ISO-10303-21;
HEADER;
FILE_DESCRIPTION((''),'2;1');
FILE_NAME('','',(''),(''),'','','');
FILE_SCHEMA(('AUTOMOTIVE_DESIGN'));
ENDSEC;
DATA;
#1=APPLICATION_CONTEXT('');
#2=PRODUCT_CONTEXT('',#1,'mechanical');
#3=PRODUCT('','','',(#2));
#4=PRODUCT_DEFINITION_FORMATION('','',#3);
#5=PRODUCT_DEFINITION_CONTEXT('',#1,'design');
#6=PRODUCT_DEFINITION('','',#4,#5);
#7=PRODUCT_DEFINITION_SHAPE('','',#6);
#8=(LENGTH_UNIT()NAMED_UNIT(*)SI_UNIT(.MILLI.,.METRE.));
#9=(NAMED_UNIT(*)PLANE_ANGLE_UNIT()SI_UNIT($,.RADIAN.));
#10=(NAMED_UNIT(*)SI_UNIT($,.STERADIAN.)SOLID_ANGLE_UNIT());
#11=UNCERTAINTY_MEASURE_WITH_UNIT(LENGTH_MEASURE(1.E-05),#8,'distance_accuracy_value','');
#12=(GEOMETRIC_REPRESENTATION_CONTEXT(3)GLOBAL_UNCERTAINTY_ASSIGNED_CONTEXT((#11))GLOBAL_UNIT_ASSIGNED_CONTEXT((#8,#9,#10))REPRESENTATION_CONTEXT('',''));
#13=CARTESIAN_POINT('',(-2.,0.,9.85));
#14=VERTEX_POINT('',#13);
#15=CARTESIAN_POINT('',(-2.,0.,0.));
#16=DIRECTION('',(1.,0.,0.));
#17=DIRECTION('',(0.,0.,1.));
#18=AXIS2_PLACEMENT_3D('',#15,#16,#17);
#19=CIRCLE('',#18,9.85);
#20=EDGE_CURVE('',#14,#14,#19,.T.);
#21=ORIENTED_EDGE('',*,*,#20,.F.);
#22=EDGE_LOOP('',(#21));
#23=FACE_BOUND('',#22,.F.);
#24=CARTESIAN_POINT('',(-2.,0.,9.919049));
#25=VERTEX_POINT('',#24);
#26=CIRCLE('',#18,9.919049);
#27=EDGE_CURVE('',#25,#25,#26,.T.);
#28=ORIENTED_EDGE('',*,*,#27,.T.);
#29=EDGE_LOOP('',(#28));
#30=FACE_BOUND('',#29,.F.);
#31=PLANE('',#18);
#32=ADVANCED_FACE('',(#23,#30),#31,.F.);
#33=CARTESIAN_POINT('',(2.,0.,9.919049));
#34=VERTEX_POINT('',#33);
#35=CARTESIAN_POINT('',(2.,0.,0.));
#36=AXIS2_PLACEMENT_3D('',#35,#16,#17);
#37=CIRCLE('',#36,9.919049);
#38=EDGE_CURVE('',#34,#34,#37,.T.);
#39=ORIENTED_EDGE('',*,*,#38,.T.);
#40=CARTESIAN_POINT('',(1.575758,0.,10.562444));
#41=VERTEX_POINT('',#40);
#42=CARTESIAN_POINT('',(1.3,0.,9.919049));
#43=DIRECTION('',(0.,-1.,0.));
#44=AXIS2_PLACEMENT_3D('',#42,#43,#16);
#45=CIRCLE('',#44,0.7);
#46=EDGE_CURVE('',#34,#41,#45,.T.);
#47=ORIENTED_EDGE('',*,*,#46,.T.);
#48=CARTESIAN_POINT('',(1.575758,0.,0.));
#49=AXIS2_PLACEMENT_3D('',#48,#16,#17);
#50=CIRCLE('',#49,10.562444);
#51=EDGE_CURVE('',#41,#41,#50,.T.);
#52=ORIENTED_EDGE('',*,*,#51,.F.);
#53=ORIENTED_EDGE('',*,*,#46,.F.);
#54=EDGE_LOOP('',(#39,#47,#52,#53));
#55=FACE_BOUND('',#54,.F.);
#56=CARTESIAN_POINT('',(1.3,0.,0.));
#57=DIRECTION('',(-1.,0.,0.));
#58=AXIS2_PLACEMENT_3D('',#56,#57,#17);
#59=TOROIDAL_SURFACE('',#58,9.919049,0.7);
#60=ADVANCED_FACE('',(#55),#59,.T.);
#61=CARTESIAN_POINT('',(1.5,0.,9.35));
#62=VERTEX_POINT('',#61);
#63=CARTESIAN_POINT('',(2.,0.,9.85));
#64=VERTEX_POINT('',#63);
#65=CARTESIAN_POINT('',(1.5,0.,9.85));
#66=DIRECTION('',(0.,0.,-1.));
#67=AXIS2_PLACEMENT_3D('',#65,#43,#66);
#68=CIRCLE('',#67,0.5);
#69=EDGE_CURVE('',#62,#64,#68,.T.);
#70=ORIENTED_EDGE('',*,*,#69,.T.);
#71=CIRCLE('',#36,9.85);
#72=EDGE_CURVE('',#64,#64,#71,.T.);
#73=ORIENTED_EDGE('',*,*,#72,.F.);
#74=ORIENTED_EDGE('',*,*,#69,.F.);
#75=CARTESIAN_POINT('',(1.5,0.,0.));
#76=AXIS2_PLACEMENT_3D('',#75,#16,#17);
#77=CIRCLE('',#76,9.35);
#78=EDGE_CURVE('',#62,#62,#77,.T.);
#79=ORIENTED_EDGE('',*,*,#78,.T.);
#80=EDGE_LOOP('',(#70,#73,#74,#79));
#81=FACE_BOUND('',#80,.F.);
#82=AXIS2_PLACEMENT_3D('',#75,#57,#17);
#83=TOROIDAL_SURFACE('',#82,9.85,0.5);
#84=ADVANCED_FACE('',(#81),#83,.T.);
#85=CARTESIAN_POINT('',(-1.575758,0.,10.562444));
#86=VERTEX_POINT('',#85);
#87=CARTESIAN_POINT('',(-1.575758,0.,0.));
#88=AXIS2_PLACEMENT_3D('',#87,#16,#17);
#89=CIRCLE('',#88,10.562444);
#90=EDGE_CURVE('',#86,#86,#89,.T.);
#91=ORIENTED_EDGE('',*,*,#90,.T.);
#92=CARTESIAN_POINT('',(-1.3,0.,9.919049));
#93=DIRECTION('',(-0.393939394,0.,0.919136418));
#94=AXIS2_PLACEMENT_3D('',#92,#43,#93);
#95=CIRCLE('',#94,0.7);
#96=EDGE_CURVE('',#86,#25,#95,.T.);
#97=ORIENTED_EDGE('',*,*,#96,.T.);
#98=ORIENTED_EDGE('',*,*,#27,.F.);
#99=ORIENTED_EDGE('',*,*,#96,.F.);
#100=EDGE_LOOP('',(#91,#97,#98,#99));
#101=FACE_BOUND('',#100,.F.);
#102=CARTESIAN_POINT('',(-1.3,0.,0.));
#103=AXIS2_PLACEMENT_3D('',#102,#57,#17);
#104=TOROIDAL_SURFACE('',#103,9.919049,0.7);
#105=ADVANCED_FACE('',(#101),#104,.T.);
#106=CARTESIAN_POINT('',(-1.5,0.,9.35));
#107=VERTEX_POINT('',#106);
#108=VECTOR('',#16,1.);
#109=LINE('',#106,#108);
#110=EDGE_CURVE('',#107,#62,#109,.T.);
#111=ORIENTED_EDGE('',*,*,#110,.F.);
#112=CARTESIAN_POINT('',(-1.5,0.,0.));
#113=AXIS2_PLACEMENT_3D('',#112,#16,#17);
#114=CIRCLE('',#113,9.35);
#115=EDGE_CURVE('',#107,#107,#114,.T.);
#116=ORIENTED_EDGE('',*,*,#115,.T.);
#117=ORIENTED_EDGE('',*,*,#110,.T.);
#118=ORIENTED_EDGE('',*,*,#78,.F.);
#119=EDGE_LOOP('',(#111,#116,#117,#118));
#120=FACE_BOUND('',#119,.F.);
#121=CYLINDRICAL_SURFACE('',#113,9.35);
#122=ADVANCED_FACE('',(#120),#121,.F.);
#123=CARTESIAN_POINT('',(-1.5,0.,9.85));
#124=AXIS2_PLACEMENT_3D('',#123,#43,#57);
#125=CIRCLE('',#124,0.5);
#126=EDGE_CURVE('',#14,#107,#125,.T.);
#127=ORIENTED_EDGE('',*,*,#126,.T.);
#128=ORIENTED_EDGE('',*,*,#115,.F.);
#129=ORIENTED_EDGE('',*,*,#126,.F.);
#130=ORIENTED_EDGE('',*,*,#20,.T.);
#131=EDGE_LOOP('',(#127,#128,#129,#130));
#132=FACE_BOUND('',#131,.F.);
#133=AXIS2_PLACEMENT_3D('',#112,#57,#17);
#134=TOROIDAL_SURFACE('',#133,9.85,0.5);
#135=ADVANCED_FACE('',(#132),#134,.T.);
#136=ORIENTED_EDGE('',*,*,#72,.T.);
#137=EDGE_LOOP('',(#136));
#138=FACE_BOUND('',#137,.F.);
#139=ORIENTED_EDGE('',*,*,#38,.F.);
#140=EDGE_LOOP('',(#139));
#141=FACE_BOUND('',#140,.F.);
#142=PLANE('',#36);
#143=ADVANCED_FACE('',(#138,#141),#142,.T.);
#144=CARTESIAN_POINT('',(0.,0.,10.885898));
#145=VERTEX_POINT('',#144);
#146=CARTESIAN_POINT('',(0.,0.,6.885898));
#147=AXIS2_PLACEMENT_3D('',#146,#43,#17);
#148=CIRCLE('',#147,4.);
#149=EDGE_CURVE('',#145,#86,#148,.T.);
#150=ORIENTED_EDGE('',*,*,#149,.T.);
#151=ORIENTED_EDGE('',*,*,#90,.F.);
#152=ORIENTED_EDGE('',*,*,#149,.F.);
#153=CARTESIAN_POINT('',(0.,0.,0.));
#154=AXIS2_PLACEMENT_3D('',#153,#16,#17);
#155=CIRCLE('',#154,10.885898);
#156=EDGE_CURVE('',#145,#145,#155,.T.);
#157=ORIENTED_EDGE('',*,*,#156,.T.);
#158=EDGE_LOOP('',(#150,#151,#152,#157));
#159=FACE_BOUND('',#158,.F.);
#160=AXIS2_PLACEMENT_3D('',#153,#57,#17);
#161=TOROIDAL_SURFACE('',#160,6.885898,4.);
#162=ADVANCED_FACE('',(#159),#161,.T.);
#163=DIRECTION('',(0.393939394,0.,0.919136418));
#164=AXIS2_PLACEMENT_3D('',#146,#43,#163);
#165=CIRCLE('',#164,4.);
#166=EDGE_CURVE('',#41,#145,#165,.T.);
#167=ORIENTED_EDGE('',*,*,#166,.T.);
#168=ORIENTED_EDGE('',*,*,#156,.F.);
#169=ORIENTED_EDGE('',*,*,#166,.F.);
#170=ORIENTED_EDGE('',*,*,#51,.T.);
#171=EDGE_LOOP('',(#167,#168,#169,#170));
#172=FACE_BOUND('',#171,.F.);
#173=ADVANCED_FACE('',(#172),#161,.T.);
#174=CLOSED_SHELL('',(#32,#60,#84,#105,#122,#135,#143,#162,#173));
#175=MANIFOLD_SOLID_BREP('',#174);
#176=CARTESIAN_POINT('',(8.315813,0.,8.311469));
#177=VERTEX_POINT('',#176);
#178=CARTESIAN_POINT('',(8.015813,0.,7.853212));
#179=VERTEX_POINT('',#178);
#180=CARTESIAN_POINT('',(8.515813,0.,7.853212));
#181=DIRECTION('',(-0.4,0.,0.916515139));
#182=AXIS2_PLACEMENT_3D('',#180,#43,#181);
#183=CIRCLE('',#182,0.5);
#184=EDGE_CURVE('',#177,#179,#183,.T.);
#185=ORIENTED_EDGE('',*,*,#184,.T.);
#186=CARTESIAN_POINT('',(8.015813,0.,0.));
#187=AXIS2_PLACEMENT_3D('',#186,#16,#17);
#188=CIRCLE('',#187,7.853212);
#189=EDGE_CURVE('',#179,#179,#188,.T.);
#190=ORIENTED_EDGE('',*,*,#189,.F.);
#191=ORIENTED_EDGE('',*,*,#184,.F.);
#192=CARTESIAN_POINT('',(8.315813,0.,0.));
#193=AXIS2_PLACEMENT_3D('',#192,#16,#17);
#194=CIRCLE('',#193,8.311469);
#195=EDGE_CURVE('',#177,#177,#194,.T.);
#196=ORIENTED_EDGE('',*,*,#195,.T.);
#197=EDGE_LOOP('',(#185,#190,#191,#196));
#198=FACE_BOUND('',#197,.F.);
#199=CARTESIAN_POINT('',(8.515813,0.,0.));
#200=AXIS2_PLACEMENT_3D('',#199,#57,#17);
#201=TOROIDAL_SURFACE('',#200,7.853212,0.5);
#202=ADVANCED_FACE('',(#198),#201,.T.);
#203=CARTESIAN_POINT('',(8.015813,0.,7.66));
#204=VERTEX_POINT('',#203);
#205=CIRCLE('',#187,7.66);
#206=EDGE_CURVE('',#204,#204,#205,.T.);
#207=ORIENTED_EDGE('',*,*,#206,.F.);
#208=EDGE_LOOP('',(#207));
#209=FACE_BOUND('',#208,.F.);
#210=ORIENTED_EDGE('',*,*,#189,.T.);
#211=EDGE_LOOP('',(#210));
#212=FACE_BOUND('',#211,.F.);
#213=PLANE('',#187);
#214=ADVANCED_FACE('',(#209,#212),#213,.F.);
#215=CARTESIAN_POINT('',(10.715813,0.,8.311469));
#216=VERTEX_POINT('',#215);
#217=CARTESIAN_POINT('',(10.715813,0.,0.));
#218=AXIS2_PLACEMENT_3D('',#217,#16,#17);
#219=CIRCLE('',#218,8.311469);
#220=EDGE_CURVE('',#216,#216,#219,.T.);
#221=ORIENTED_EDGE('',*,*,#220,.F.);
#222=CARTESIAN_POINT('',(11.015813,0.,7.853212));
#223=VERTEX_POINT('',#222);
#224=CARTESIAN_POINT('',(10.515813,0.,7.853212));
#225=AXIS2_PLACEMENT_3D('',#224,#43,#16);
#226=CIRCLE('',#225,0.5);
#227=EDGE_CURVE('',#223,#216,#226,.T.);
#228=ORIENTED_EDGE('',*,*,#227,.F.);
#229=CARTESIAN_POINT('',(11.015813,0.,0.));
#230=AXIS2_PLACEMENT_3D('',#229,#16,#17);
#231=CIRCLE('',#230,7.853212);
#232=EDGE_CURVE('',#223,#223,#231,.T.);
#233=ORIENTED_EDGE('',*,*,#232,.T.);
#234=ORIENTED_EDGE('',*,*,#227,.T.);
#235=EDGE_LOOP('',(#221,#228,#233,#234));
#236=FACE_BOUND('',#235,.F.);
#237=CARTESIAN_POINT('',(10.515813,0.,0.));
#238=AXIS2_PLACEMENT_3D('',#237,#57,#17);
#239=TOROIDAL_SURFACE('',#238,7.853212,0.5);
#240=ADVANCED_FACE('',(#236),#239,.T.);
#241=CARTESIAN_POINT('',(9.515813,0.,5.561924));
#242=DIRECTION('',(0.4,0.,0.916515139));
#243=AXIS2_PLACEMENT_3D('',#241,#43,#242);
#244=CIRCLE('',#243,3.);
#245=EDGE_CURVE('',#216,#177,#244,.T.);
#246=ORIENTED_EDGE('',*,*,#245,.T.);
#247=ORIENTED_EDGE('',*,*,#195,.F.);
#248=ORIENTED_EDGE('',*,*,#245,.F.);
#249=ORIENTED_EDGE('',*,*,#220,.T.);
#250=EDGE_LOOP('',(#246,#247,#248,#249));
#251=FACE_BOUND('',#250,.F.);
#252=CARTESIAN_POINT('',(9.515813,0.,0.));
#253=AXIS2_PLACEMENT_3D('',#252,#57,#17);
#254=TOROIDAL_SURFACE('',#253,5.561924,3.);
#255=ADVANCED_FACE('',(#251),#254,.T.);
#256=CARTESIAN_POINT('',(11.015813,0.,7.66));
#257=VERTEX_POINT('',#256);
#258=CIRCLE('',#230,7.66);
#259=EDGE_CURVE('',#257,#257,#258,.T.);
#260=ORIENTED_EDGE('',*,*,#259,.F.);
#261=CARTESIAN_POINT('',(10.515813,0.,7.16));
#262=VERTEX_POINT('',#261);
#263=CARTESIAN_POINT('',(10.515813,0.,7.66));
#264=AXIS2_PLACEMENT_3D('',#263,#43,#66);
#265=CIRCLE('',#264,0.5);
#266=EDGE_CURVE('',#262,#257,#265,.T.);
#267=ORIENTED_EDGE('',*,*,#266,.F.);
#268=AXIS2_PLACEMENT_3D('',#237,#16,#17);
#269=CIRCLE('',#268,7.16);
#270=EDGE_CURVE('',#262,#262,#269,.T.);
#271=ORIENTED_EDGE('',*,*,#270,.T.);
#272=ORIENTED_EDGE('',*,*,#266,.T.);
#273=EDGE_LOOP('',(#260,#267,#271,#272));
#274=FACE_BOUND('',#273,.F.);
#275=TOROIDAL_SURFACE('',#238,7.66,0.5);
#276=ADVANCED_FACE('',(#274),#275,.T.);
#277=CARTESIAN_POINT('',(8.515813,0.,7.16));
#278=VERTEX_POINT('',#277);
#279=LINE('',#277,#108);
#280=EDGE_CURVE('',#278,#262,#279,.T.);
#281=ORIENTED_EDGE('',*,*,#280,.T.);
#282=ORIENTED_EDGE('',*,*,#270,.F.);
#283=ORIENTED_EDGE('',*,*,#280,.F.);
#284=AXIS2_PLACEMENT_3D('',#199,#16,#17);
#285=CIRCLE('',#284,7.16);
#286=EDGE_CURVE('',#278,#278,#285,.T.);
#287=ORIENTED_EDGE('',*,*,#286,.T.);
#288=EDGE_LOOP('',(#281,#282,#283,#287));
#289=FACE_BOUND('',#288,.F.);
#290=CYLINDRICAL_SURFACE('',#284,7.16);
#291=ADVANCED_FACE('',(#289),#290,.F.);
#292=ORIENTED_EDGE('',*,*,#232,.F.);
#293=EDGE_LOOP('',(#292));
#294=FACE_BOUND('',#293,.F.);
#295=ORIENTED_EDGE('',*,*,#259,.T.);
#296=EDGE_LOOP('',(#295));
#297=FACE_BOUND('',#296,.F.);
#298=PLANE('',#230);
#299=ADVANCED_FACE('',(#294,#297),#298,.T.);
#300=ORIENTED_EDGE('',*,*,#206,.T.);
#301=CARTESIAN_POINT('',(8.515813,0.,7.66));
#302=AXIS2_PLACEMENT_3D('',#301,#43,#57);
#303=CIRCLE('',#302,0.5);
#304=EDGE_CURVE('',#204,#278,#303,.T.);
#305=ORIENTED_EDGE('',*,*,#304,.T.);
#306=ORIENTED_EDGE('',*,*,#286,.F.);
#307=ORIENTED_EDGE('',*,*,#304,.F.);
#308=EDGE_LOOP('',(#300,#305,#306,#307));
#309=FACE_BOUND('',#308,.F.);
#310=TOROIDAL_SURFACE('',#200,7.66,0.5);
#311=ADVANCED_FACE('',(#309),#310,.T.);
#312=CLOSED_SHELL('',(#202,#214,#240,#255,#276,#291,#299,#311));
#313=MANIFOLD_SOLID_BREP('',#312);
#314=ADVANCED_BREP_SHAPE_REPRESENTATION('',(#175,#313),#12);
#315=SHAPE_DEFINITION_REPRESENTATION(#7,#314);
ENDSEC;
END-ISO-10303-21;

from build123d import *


with BuildPart() as f1:
    # F0 (on Front) → F1 (revolve)
    with BuildSketch(Plane.XZ):
        with BuildLine():
            ThreePointArc((-2, 9.85), (-1.8535533906, 9.4964466094), (-1.5, 9.35))
            Line((-1.5, 9.35), (0, 9.35))
            Line((0, 9.35), (0, 10.8858983849))
            ThreePointArc((0, 10.8858983849), (-0.8043063224, 10.8042004839), (-1.5757575758, 10.5624440547))
            ThreePointArc((-1.5757575758, 10.5624440547), (-1.884392977, 10.3043858803), (-2, 9.9190485625))
            Line((-2, 9.9190485625), (-2, 9.85))
        make_face()
        with BuildLine():
            Line((0, 10.8858983849), (0, 9.35))
            Line((0, 9.35), (1.5, 9.35))
            ThreePointArc((1.5, 9.35), (1.8535533906, 9.4964466094), (2, 9.85))
            Line((2, 9.85), (2, 9.9190485625))
            ThreePointArc((2, 9.9190485625), (1.884392977, 10.3043858803), (1.5757575758, 10.5624440547))
            ThreePointArc((1.5757575758, 10.5624440547), (0.8043063224, 10.8042004839), (0, 10.8858983849))
        make_face()
    revolve(axis=Axis((0.1162891276, 0, 0), (1, 0, 0)))


with BuildPart() as f1b:
    # F0 (on Front) → F1, piece 2 (revolve)
    with BuildSketch(Plane.XZ):
        with BuildLine():
            ThreePointArc((8.0158127025, 7.66), (8.1622593119, 7.3064466094), (8.5158127025, 7.16))
            Line((8.5158127025, 7.16), (10.5158127025, 7.16))
            ThreePointArc((10.5158127025, 7.16), (10.8693660931, 7.3064466094), (11.0158127025, 7.66))
            Line((11.0158127025, 7.66), (11.0158127025, 7.8532116361))
            ThreePointArc((11.0158127025, 7.8532116361), (10.9341427157, 8.1270729149), (10.7158127025, 8.3114692056))
            ThreePointArc((10.7158127025, 8.3114692056), (9.5158127025, 8.5619237886), (8.3158127025, 8.3114692056))
            ThreePointArc((8.3158127025, 8.3114692056), (8.0974826892, 8.1270729149), (8.0158127025, 7.8532116361))
            Line((8.0158127025, 7.8532116361), (8.0158127025, 7.66))
        make_face()
    revolve(axis=Axis((0.1162891276, 0, 0), (1, 0, 0)))


solid = Compound([f1.part, f1b.part])
